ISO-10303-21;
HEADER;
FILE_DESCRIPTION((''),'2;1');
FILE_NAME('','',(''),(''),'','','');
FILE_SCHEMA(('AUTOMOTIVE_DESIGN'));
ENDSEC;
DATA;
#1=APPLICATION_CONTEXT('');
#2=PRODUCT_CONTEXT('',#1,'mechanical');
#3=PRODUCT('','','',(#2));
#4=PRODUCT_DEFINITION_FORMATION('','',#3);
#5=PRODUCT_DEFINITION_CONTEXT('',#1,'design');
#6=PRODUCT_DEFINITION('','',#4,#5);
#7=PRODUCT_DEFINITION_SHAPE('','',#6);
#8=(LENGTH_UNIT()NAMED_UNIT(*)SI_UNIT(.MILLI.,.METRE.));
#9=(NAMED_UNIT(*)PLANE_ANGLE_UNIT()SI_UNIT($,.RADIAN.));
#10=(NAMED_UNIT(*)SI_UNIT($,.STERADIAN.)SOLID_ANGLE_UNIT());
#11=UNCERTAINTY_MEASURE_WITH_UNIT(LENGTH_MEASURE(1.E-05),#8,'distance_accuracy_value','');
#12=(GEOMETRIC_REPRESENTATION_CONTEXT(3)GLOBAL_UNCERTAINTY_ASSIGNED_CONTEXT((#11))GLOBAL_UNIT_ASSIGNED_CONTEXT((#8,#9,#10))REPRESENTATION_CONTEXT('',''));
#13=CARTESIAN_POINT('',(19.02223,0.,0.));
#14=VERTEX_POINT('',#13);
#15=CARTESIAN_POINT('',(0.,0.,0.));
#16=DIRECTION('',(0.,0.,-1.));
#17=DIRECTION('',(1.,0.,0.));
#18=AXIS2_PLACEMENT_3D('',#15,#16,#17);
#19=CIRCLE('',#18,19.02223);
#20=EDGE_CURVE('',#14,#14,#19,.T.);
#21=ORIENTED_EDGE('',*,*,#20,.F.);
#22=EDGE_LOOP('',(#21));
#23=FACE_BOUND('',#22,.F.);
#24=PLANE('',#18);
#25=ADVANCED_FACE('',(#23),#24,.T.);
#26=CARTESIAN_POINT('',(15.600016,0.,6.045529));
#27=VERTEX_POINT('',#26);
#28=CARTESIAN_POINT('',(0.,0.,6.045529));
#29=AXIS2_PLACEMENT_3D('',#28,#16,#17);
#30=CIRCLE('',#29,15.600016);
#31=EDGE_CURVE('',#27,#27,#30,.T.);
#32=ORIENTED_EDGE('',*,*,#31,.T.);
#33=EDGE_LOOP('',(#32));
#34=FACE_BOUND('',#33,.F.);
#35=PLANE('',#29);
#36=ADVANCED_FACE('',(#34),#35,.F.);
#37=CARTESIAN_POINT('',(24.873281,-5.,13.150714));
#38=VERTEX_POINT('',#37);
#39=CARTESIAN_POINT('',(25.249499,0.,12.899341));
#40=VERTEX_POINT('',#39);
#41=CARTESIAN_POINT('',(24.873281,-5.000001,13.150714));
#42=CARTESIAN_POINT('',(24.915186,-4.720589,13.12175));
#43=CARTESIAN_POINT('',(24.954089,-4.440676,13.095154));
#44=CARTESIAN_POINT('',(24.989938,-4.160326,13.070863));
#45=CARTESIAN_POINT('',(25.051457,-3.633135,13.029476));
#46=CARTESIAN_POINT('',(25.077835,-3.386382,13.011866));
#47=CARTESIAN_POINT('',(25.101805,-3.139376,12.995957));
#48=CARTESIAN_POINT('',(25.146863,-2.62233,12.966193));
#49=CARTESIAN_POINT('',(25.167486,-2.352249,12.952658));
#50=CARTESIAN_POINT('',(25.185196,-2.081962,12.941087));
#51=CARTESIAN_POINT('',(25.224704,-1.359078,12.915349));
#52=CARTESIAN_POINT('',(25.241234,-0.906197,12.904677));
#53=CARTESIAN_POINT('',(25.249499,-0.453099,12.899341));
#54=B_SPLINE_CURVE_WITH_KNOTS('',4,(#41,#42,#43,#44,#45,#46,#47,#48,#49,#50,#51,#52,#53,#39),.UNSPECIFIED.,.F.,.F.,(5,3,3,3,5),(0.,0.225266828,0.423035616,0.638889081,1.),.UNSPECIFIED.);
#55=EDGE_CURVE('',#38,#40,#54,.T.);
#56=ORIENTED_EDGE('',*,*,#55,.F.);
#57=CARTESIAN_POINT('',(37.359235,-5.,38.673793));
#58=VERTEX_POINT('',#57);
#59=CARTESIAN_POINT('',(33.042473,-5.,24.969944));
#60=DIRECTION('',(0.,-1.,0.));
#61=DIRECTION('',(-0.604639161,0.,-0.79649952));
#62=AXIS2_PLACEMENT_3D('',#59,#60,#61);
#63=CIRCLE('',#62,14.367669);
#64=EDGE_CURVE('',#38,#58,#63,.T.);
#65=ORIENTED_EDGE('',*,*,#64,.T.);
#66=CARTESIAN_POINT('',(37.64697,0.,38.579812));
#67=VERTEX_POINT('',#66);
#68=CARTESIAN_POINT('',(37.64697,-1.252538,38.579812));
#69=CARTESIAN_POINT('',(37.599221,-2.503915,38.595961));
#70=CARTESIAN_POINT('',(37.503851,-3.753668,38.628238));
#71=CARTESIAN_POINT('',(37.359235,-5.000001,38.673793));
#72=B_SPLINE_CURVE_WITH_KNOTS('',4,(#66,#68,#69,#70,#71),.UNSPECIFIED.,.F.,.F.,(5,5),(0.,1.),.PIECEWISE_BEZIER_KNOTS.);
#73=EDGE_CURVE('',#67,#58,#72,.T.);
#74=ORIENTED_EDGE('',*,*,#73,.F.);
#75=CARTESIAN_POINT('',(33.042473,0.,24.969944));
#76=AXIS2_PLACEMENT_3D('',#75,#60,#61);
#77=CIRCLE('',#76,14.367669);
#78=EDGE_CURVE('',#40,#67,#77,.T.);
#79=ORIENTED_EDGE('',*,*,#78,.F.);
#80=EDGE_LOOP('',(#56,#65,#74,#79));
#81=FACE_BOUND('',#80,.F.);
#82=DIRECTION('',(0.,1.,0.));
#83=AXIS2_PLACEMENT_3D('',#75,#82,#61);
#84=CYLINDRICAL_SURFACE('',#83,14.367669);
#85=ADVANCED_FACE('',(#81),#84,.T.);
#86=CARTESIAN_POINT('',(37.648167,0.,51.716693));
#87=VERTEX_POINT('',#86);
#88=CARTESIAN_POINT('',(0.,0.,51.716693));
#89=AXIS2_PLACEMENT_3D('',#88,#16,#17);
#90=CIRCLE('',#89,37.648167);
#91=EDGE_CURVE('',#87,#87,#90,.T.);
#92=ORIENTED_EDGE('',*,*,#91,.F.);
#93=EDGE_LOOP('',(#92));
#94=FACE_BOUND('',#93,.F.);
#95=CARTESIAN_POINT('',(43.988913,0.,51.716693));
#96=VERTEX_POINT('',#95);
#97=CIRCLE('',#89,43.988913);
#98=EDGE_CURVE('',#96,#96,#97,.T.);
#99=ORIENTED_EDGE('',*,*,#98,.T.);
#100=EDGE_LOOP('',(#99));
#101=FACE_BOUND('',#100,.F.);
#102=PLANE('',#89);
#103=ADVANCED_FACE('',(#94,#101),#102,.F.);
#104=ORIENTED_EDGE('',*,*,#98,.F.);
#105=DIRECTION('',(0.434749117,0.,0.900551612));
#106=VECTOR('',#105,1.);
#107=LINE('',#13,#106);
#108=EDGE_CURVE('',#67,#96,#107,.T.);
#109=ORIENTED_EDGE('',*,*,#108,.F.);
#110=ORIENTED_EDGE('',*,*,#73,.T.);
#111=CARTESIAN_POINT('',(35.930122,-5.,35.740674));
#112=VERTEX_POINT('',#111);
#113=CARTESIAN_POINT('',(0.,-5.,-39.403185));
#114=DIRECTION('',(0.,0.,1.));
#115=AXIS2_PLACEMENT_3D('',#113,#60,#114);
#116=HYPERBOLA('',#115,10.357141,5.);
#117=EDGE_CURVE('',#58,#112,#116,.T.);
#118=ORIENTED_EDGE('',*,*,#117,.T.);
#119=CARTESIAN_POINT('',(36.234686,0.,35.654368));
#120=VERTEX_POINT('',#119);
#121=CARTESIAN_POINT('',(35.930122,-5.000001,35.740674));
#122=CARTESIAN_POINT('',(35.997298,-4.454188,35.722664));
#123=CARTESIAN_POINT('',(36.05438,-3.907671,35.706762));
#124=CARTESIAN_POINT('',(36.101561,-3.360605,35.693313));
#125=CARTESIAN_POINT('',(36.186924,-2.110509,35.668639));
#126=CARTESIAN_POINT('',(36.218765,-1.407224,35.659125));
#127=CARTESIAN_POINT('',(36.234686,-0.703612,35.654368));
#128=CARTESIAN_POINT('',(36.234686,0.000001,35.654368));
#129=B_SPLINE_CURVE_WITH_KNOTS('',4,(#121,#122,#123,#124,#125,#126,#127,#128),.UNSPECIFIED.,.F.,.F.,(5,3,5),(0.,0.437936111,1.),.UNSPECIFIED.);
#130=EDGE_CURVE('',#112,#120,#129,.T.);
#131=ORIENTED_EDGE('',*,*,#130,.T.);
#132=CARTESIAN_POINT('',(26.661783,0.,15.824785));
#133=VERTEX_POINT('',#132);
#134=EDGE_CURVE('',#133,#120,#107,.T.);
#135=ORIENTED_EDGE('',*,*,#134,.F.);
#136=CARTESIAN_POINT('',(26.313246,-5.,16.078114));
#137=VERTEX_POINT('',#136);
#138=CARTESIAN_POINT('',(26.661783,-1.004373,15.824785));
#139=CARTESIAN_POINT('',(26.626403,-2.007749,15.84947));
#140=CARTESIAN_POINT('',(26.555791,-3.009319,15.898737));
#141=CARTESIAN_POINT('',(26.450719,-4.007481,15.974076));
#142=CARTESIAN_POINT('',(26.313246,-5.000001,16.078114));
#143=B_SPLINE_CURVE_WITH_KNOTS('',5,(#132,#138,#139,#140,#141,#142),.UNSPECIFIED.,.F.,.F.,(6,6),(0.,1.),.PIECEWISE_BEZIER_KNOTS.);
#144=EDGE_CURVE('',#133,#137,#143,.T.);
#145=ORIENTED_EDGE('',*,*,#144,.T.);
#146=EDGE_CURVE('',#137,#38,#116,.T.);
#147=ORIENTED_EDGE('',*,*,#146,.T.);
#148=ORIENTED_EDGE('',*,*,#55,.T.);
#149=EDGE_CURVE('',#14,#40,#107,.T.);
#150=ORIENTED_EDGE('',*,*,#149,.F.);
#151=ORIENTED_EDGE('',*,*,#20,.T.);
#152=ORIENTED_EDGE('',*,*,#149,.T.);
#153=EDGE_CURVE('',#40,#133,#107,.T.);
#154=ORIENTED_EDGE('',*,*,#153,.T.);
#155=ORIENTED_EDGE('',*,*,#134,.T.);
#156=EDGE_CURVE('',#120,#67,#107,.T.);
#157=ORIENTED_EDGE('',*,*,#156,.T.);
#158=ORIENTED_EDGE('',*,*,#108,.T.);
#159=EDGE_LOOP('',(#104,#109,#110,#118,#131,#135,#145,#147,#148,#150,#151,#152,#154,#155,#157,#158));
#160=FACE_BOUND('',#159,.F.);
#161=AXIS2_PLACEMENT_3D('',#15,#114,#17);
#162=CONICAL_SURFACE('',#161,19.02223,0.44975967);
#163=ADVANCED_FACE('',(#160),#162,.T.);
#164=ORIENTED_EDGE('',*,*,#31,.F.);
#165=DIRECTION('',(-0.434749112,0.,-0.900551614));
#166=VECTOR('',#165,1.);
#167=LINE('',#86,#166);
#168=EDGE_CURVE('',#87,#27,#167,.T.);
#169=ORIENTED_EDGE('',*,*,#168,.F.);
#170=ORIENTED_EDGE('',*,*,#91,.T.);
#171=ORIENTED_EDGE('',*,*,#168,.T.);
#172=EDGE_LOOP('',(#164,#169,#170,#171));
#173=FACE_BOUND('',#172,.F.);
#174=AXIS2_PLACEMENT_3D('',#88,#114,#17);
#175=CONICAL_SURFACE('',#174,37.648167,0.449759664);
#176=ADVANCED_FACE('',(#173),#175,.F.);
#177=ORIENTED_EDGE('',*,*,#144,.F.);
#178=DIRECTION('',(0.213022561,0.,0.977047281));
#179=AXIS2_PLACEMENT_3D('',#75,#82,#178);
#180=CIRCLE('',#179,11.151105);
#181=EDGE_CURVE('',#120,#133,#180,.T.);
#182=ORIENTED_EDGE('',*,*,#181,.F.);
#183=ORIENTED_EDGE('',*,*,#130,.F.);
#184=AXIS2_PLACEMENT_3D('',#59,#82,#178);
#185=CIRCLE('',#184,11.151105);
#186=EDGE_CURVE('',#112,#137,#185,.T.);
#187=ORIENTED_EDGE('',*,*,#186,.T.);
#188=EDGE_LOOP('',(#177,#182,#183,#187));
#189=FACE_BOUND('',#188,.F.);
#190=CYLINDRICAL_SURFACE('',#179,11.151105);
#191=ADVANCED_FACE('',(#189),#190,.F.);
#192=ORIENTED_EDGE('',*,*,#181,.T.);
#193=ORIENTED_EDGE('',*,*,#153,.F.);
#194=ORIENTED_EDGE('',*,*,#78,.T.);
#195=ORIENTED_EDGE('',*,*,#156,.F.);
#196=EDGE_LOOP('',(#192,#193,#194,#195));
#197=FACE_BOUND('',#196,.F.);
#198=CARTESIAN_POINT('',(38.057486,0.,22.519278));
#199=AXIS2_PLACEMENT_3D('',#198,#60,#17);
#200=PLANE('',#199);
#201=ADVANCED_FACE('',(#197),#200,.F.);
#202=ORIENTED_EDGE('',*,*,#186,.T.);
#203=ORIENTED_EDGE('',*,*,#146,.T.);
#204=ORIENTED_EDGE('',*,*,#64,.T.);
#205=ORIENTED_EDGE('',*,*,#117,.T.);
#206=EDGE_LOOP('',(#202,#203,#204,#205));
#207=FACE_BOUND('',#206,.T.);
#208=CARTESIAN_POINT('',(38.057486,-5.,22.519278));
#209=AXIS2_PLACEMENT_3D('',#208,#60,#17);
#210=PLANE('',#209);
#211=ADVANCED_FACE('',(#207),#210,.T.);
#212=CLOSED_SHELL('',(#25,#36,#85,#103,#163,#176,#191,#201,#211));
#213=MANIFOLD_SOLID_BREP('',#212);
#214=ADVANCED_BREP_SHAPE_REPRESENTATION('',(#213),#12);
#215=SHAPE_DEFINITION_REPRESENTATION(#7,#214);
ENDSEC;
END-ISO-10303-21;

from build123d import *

# Parameters (mm, degrees)
F3_DEPTH = 5


with BuildPart() as f1:
    # F0 (on Front) → F1 (revolve)
    with BuildSketch(Plane.XZ):
        Polygon((0, 6.045529), (0, 0), (19.02223, 0), (43.988913, 51.716693), (37.648167, 51.716693), (15.600016, 6.045529), align=None)
    revolve(axis=Axis((0, 0, 3.022764), (0, 0, -1)))

    # F2 (on Front) → F3 (join)
    with BuildSketch(Plane.XZ):
        with BuildLine():
            Line((25.826393, 16.468454), (24.355218, 13.526103))
            ThreePointArc((24.355218, 13.526103), (45.977922, 18.71662), (36.615014, 38.886368))
            Line((36.615014, 38.886368), (35.41791, 35.865101))
            ThreePointArc((35.41791, 35.865101), (43.038244, 20.0271), (25.826393, 16.468454))
        make_face()
    extrude(amount=F3_DEPTH)


solid = f1.part
